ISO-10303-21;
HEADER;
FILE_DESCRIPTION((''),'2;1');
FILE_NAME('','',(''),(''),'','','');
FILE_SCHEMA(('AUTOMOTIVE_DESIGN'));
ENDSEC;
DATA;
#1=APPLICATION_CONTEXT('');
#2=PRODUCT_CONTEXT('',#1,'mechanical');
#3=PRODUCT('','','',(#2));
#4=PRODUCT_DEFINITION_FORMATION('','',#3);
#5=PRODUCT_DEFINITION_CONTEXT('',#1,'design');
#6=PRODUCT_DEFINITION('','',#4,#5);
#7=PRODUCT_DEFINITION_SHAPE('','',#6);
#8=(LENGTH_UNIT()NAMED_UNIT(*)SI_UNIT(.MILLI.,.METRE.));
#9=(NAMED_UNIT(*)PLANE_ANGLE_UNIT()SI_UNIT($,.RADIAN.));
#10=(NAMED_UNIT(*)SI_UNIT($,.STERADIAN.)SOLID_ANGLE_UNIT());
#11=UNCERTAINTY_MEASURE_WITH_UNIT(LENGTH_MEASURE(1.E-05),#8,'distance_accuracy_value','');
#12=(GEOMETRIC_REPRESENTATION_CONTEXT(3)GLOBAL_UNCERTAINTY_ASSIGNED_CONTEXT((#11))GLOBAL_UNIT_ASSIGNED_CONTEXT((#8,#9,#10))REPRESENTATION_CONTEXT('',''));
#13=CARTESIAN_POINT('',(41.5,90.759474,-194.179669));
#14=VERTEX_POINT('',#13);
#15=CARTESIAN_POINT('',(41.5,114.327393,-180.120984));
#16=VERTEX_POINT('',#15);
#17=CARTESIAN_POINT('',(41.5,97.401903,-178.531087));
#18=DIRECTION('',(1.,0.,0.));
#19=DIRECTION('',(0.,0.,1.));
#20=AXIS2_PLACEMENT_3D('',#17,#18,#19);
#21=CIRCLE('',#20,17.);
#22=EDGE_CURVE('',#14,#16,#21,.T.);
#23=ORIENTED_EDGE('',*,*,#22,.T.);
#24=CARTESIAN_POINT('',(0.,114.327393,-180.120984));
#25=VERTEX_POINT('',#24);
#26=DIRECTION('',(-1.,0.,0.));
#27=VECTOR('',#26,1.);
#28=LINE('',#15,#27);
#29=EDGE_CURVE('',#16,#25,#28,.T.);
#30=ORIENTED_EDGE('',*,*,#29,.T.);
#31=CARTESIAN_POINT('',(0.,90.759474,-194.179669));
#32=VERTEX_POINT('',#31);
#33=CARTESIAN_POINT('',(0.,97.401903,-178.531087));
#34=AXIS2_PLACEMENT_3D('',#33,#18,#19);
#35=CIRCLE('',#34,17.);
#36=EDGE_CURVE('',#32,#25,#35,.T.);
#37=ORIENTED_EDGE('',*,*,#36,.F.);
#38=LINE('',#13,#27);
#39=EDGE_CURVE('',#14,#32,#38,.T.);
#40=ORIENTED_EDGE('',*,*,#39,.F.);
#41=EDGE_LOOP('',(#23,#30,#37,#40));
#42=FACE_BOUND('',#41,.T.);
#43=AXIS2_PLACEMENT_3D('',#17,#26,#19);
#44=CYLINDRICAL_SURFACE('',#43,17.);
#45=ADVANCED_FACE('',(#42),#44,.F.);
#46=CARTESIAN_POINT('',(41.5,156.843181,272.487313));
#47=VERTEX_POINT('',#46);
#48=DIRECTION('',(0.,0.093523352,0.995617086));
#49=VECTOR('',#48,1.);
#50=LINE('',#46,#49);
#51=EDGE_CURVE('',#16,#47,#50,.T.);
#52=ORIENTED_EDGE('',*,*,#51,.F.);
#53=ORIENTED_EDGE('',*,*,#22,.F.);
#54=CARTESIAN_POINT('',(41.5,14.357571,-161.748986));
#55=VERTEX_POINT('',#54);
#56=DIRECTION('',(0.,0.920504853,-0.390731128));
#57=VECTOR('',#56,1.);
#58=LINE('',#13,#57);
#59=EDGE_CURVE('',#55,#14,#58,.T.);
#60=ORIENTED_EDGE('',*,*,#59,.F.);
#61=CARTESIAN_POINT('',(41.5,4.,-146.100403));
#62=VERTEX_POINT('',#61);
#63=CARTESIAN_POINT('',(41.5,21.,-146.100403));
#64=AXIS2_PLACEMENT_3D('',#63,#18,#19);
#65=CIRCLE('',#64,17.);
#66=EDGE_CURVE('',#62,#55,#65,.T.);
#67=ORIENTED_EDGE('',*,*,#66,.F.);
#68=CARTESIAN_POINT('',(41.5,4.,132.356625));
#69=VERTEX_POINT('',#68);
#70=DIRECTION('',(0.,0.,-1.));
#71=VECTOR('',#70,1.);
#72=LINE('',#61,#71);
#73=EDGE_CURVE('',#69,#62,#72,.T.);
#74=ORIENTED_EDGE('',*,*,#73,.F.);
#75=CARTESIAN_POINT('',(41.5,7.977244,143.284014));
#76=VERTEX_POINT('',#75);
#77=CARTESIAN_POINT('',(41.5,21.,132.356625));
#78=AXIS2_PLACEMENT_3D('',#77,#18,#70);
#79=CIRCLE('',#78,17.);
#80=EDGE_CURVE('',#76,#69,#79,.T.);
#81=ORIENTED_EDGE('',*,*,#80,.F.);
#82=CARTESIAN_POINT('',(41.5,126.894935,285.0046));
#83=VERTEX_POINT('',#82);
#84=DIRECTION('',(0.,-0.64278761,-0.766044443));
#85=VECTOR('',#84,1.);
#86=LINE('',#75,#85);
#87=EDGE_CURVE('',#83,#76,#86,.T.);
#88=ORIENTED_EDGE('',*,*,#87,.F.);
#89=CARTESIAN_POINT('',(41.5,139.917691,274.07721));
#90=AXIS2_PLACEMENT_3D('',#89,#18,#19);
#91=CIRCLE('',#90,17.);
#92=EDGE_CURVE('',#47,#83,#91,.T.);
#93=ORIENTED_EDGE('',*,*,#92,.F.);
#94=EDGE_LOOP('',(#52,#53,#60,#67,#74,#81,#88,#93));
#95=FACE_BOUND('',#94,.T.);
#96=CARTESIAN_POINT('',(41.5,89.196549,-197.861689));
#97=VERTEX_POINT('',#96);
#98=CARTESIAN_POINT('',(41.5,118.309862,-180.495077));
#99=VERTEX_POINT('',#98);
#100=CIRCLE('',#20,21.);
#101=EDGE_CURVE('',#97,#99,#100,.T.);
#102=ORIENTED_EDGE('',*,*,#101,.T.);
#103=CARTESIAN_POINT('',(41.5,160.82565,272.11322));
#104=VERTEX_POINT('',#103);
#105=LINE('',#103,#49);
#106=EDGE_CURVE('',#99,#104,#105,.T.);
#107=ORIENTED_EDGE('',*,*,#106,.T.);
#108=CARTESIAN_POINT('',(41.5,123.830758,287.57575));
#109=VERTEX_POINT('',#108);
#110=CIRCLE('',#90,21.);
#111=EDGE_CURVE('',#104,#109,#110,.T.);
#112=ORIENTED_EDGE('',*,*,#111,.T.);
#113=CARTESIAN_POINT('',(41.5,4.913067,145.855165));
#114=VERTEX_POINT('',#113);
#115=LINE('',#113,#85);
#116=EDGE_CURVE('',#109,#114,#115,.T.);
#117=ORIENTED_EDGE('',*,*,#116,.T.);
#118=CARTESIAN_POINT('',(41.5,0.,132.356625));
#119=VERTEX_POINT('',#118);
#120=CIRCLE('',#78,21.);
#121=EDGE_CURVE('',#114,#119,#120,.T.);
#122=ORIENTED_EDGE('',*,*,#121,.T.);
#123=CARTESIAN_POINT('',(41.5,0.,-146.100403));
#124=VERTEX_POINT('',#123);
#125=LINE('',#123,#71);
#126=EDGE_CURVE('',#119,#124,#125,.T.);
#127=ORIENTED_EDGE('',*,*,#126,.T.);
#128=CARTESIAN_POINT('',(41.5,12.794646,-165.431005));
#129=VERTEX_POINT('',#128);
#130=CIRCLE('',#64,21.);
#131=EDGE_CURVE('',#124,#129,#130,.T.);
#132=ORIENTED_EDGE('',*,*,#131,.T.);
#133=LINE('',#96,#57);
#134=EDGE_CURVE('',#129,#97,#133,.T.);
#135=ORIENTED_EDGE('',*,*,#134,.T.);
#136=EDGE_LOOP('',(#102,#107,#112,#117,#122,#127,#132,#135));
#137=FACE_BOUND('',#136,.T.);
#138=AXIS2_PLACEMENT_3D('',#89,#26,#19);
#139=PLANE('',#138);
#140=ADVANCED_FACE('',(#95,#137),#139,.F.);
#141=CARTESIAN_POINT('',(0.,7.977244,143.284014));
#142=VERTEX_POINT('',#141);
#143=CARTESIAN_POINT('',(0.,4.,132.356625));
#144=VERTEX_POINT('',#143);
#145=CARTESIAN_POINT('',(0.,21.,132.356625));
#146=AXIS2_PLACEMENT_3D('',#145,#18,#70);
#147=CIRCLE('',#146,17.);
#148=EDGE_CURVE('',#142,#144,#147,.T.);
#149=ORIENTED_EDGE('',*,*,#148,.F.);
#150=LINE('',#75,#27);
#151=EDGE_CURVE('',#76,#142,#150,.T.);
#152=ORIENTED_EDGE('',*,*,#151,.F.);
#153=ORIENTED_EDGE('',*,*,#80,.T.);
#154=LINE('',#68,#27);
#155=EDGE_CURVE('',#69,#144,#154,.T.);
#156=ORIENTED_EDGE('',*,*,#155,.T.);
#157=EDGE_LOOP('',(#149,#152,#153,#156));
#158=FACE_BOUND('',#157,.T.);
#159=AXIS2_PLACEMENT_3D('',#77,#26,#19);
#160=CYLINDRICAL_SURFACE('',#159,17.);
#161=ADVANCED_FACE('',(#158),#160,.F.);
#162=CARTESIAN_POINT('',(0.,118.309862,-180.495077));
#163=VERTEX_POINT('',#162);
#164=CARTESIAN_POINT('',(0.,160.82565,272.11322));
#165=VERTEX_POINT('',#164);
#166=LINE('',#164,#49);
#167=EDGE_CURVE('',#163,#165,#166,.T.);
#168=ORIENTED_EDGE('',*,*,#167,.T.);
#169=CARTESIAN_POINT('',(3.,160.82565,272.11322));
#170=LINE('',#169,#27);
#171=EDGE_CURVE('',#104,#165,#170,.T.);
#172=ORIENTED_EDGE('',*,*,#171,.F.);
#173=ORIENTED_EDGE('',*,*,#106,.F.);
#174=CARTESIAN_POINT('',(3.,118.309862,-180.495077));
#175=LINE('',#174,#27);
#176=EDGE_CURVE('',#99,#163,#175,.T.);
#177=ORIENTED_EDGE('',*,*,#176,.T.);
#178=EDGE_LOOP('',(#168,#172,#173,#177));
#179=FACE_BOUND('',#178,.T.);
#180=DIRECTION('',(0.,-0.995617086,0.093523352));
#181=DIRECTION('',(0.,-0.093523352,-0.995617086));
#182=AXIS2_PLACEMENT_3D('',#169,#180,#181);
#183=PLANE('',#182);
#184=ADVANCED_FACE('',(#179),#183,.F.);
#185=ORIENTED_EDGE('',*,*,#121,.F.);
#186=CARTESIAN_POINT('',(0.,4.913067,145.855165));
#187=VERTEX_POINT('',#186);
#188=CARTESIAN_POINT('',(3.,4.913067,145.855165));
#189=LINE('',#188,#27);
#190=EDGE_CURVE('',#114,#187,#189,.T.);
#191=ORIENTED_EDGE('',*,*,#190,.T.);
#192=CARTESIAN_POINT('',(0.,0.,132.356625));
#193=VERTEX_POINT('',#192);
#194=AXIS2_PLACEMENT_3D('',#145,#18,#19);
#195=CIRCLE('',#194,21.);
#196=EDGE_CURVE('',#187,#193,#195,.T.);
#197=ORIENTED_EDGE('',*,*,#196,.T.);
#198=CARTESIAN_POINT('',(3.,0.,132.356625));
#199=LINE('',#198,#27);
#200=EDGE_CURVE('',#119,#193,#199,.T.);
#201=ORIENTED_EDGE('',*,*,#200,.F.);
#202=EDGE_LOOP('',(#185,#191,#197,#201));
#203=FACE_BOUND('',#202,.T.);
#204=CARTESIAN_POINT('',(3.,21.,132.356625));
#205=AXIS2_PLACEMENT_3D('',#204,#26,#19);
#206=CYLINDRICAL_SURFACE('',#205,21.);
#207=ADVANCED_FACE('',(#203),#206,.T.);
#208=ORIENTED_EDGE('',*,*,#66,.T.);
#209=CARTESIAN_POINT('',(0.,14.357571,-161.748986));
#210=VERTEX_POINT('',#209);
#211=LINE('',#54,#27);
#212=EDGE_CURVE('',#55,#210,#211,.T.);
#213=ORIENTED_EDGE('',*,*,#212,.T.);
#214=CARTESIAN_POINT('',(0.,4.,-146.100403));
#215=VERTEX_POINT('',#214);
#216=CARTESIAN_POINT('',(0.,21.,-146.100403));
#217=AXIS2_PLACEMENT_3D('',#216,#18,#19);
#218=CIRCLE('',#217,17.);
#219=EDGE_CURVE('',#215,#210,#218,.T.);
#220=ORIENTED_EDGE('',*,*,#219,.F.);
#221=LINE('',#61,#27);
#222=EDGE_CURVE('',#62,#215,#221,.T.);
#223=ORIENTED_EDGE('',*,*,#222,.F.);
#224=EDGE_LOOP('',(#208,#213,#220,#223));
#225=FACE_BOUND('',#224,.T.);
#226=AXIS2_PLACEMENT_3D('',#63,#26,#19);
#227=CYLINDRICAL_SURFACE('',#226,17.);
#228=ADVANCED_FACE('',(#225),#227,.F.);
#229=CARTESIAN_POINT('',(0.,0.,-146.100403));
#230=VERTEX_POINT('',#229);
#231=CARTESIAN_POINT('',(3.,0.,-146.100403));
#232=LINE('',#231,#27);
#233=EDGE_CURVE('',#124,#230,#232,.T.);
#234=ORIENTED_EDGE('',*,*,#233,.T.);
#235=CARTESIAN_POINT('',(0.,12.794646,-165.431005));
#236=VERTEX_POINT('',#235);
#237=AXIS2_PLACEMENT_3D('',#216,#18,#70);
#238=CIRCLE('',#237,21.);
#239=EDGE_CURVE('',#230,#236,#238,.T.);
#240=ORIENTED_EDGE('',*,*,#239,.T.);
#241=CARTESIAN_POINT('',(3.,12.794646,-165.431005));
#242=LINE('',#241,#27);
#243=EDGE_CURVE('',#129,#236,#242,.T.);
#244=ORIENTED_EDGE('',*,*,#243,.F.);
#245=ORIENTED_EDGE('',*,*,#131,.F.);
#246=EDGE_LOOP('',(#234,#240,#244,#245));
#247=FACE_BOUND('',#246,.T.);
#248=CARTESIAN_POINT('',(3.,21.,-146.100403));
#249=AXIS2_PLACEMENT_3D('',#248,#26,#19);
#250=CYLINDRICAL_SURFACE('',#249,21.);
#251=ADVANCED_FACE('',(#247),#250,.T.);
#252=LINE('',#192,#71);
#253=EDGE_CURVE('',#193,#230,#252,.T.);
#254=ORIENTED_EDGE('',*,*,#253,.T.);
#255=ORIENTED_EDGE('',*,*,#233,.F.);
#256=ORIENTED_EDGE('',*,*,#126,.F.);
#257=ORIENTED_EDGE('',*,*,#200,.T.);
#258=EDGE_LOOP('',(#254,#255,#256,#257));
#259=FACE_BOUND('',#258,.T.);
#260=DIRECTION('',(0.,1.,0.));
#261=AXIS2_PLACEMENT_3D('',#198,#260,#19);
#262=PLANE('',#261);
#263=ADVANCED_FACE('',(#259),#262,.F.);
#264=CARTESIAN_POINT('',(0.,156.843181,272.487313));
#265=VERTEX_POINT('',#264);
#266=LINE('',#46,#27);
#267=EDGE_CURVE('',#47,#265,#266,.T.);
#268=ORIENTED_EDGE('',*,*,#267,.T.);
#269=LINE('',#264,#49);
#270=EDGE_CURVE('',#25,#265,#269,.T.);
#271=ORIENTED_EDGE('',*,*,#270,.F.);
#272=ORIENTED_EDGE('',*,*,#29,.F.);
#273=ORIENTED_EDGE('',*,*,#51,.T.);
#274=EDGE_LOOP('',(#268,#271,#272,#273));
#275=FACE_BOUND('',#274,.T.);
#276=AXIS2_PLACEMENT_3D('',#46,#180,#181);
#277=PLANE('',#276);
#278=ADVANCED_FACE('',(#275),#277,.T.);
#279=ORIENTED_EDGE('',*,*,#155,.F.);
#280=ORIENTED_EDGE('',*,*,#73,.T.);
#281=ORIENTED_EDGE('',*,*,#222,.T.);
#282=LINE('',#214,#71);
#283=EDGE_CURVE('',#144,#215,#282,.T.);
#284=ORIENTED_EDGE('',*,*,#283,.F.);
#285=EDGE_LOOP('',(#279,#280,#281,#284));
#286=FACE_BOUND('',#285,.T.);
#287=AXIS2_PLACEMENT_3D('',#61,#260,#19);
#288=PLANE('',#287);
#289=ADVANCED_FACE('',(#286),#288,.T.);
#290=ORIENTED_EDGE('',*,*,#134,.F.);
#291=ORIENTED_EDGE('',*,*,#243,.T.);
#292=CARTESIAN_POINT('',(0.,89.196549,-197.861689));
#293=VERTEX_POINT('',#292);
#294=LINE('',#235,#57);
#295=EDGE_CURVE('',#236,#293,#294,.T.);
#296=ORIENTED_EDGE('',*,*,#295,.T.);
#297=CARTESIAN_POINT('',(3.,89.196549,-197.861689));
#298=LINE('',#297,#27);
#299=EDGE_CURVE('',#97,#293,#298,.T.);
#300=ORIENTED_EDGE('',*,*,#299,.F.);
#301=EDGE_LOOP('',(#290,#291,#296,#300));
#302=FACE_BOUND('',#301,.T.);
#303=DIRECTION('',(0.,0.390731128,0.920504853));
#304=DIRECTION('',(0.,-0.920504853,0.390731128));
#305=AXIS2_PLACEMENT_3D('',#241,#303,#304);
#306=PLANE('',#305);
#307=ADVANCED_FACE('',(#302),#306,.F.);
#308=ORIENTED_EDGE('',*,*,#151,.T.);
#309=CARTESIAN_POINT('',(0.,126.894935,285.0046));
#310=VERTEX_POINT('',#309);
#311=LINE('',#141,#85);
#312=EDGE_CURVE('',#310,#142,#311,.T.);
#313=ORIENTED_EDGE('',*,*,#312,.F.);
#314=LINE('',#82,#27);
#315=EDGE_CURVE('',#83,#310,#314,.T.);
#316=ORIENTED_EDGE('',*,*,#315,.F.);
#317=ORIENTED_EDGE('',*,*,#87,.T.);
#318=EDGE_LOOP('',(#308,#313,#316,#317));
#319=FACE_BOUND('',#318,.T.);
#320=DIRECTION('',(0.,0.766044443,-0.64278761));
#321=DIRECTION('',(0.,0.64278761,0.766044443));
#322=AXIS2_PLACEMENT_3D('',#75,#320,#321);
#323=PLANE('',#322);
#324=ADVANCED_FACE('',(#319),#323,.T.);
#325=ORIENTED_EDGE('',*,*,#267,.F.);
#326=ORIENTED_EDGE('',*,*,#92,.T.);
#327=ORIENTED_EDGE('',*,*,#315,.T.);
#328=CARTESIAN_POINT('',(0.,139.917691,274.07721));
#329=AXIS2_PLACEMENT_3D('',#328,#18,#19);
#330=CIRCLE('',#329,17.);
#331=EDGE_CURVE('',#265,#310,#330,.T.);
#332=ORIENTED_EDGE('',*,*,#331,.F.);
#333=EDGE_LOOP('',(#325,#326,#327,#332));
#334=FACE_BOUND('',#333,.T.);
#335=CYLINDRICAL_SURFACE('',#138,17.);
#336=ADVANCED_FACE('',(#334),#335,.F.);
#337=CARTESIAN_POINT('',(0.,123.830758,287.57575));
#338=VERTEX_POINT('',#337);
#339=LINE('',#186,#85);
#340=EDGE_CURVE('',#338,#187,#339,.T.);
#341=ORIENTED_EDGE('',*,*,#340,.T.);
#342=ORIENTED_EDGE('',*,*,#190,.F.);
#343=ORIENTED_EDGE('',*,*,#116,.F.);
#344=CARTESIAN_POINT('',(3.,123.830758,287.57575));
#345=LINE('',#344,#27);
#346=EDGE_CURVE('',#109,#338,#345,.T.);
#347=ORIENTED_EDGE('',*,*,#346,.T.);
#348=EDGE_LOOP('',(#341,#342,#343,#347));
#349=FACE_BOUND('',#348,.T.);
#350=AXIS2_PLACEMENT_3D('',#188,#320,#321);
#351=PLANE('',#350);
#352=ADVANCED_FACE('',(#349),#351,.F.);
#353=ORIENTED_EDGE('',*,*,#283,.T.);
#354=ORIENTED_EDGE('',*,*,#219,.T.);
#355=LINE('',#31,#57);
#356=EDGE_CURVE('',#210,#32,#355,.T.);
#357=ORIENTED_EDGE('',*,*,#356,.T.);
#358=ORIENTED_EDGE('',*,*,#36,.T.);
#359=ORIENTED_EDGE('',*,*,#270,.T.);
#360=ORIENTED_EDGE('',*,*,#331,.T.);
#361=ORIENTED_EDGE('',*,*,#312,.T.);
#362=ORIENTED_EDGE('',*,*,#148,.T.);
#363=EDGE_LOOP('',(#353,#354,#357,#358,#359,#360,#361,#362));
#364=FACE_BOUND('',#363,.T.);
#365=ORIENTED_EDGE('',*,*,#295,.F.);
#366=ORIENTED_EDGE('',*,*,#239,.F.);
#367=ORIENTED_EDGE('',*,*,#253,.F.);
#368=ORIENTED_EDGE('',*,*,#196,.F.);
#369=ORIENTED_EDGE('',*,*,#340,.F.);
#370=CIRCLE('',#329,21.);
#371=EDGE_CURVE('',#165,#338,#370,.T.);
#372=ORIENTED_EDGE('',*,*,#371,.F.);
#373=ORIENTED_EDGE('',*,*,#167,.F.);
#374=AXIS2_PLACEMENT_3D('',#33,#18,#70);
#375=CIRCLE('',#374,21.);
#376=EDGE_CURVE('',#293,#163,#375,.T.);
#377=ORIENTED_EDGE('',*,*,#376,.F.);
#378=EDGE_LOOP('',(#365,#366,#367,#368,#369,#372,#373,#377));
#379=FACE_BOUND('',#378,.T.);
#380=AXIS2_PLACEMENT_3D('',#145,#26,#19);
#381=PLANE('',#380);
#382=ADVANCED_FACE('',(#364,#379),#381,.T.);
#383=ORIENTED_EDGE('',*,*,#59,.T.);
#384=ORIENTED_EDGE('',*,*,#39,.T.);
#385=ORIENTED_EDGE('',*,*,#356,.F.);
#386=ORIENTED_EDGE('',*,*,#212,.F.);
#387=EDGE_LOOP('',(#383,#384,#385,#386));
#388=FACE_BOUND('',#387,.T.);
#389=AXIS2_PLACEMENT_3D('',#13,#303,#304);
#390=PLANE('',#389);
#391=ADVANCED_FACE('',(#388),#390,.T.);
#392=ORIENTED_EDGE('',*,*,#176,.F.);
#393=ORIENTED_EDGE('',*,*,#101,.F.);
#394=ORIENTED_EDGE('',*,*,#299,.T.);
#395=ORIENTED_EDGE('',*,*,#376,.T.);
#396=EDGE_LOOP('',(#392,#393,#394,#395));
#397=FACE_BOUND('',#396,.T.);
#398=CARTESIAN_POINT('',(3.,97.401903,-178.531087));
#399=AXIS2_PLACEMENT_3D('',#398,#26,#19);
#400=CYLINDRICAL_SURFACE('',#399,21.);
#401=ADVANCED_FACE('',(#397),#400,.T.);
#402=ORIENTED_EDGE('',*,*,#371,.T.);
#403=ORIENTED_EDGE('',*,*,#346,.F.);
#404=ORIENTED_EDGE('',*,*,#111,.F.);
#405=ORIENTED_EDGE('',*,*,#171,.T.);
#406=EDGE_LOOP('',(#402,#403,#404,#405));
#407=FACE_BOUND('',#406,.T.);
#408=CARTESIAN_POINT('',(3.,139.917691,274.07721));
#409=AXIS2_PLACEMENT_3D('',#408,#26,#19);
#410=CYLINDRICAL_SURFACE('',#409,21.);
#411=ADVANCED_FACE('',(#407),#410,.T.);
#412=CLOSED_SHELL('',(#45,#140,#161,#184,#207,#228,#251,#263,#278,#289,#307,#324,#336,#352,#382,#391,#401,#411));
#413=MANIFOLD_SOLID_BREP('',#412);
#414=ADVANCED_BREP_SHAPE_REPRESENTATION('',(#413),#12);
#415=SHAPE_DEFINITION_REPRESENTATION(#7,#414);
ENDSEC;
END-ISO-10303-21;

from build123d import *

# Parameters (mm, degrees)
EXTRUDE_1_DEPTH     = 3
EXTRUDE_2_DEPTH     = 38.5
CUT_EXTRUDE_5_DEPTH = 3


with BuildPart() as part:
    # 草图1 → 凸台-拉伸1 (new body)
    with BuildSketch(Plane(origin=(0, 0, 0), x_dir=(0, 0, -1), z_dir=(1, 0, 0))):
        with BuildLine():
            Line((-132.35662508, 0), (146.100403215, 0))
            ThreePointArc((146.100403215, 0), (157.691079906, 3.488397737), (165.431005137, 12.794646302))
            Line((165.431005137, 12.794646302), (197.861688802, 89.196549138))
            ThreePointArc((197.861688802, 89.196549138), (196.566084988, 108.16010172), (180.495077268, 118.30986165))
            Line((180.495077268, 118.30986165), (-272.113220038, 160.825649707))
            ThreePointArc((-272.113220038, 160.825649707), (-293.452890241, 148.016026014), (-287.575750229, 123.830757588))
            Line((-287.575750229, 123.830757588), (-145.855164884, 4.913066695))
            ThreePointArc((-145.855164884, 4.913066695), (-139.53904809, 1.266454963), (-132.35662508, 0))
        make_face()
    extrude(amount=EXTRUDE_1_DEPTH)

    # 草图2 → 凸台-拉伸2 (add)
    with BuildSketch(Plane(origin=(3, 0, 0), x_dir=(0, 0, -1), z_dir=(1, 0, 0))):
        with BuildLine():
            Line((-272.113220038, 160.825649707), (180.495077268, 118.30986165))
            ThreePointArc((180.495077268, 118.30986165), (196.566084988, 108.16010172), (197.861688802, 89.196549138))
            Line((197.861688802, 89.196549138), (165.431005137, 12.794646302))
            ThreePointArc((165.431005137, 12.794646302), (157.691079906, 3.488397737), (146.100403215, 0))
            Line((146.100403215, 0), (-132.35662508, 0))
            ThreePointArc((-132.35662508, 0), (-139.53904809, 1.266454963), (-145.855164884, 4.913066695))
            Line((-145.855164884, 4.913066695), (-287.575750229, 123.830757588))
            ThreePointArc((-287.575750229, 123.830757588), (-293.452890241, 148.016026014), (-272.113220038, 160.825649707))
        make_face()
        with BuildLine():
            Line((-272.487313445, 156.843181362), (180.120983861, 114.327393305))
            ThreePointArc((180.120983861, 114.327393305), (193.130847253, 106.110920981), (194.179669388, 90.759473652))
            Line((194.179669388, 90.759473652), (161.748985724, 14.357570816))
            ThreePointArc((161.748985724, 14.357570816), (155.483331965, 6.823941025), (146.100403215, 4))
            Line((146.100403215, 4), (-132.35662508, 4))
            ThreePointArc((-132.35662508, 4), (-138.170967517, 5.025225447), (-143.284014445, 7.977244467))
            Line((-143.284014445, 7.977244467), (-285.004599791, 126.894935361))
            ThreePointArc((-285.004599791, 126.894935361), (-289.762284562, 146.473485991), (-272.487313445, 156.843181362))
        make_face(mode=Mode.SUBTRACT)
    extrude(amount=EXTRUDE_2_DEPTH)

    # 草图4 → 切除-拉伸5 (cut)
    with BuildSketch(Plane(origin=(3, 0, 0), x_dir=(0, 0, -1), z_dir=(1, 0, 0))):
        with BuildLine():
            Line((-272.487313445, 156.843181362), (180.120983861, 114.327393305))
            ThreePointArc((180.120983861, 114.327393305), (193.130847253, 106.110920981), (194.179669388, 90.759473652))
            Line((194.179669388, 90.759473652), (161.748985724, 14.357570816))
            ThreePointArc((161.748985724, 14.357570816), (155.483331965, 6.823941025), (146.100403215, 4))
            Line((146.100403215, 4), (-132.35662508, 4))
            ThreePointArc((-132.35662508, 4), (-138.170967517, 5.025225447), (-143.284014445, 7.977244467))
            Line((-143.284014445, 7.977244467), (-285.004599791, 126.894935361))
            ThreePointArc((-285.004599791, 126.894935361), (-289.762284562, 146.473485991), (-272.487313445, 156.843181362))
        make_face()
    extrude(amount=-CUT_EXTRUDE_5_DEPTH, mode=Mode.SUBTRACT)


solid = part.part
